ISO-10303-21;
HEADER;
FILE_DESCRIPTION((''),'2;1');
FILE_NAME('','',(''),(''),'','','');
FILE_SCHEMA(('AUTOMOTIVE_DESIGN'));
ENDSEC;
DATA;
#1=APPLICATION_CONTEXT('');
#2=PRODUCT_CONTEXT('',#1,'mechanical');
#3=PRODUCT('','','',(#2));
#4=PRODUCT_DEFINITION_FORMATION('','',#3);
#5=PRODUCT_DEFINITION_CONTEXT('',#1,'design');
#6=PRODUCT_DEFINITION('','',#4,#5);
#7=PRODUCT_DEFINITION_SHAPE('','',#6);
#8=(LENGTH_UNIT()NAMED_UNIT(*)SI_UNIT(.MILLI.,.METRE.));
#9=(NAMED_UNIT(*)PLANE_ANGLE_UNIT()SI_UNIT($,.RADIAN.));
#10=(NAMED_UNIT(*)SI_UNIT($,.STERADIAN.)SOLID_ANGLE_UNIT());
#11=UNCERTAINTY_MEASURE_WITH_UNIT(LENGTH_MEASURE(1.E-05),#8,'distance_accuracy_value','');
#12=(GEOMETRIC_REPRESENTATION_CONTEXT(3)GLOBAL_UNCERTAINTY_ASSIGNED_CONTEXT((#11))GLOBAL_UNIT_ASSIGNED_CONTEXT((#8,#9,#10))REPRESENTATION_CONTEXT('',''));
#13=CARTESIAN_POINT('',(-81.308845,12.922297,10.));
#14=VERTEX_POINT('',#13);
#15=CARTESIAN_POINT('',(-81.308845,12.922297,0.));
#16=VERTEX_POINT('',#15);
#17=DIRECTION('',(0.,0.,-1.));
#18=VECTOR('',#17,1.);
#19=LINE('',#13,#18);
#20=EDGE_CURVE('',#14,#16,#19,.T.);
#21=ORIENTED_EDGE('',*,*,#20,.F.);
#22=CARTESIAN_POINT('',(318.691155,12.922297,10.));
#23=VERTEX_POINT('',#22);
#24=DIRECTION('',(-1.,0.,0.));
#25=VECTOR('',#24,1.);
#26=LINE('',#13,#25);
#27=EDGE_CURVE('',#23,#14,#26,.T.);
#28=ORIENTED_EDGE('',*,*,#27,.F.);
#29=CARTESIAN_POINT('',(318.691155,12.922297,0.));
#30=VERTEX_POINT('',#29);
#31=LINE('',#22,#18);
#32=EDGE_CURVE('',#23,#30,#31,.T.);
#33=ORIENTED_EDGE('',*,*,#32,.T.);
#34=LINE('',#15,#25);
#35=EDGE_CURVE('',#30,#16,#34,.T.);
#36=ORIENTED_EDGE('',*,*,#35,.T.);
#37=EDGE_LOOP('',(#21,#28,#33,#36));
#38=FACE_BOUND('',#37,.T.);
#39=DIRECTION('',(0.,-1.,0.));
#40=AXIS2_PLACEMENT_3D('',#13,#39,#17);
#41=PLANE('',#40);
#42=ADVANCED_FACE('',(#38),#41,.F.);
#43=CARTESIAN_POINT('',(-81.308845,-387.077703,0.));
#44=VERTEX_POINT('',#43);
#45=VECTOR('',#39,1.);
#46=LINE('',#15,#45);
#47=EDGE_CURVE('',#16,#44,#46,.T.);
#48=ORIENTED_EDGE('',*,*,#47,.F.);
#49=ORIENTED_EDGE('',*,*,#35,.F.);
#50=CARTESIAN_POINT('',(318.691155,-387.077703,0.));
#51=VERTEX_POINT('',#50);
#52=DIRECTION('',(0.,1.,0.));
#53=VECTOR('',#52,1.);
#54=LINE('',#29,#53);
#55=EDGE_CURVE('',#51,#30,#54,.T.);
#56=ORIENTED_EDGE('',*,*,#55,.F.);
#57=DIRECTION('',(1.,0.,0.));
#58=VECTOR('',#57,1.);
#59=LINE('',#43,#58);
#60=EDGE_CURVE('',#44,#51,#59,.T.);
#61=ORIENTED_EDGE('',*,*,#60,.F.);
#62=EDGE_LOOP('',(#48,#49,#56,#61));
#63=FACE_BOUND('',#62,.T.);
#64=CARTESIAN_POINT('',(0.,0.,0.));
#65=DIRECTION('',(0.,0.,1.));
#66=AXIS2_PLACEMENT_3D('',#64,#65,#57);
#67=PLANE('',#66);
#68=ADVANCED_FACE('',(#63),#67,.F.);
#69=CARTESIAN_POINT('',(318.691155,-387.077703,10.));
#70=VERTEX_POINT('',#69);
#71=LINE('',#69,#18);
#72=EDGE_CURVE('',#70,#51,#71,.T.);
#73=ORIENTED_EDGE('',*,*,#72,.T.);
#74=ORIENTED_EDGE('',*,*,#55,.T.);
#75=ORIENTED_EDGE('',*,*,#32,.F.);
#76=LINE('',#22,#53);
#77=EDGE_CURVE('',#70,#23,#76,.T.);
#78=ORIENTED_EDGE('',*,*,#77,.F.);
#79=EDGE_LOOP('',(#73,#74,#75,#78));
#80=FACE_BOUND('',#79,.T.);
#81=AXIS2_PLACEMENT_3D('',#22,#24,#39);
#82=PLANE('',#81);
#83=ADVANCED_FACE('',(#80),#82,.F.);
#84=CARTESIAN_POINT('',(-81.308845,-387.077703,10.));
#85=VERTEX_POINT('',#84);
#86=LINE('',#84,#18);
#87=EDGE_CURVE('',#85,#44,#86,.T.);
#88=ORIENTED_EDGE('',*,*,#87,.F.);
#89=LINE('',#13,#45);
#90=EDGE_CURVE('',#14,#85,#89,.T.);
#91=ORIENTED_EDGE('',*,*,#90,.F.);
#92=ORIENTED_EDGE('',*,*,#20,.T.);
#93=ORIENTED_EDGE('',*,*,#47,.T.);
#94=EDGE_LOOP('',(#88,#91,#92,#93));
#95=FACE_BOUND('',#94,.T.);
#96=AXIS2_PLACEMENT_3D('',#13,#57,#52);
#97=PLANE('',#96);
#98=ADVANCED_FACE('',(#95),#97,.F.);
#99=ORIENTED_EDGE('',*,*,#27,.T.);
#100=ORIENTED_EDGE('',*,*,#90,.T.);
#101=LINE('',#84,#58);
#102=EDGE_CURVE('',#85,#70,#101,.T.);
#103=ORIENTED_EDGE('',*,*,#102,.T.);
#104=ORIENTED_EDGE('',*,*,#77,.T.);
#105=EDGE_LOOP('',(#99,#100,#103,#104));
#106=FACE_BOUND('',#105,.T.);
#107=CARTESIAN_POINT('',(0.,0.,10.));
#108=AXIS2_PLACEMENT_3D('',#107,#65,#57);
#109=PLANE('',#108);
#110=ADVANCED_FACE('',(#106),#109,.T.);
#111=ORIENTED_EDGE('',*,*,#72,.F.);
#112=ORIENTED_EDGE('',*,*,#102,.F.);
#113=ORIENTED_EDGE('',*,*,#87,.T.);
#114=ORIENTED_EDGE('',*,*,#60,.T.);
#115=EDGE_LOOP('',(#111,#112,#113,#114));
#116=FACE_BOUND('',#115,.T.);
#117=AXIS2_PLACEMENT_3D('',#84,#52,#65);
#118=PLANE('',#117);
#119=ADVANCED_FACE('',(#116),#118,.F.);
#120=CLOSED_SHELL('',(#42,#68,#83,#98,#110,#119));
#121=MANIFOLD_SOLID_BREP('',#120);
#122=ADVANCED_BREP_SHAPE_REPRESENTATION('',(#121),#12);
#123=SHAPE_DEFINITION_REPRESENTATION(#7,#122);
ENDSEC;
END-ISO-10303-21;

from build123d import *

# Parameters (mm, degrees)
ESBO_O1_W                = 400
ESBO_O1_H                = 400
RESSALTO_EXTRUS_O1_DEPTH = 10


with BuildPart() as part:
    # Esboço1 → Ressalto-extrusão1 (new body)
    with BuildSketch(Plane.XY):
        with Locations((118.691155295, -187.077702703)):
            Rectangle(ESBO_O1_W, ESBO_O1_H)
    extrude(amount=RESSALTO_EXTRUS_O1_DEPTH)


solid = part.part
